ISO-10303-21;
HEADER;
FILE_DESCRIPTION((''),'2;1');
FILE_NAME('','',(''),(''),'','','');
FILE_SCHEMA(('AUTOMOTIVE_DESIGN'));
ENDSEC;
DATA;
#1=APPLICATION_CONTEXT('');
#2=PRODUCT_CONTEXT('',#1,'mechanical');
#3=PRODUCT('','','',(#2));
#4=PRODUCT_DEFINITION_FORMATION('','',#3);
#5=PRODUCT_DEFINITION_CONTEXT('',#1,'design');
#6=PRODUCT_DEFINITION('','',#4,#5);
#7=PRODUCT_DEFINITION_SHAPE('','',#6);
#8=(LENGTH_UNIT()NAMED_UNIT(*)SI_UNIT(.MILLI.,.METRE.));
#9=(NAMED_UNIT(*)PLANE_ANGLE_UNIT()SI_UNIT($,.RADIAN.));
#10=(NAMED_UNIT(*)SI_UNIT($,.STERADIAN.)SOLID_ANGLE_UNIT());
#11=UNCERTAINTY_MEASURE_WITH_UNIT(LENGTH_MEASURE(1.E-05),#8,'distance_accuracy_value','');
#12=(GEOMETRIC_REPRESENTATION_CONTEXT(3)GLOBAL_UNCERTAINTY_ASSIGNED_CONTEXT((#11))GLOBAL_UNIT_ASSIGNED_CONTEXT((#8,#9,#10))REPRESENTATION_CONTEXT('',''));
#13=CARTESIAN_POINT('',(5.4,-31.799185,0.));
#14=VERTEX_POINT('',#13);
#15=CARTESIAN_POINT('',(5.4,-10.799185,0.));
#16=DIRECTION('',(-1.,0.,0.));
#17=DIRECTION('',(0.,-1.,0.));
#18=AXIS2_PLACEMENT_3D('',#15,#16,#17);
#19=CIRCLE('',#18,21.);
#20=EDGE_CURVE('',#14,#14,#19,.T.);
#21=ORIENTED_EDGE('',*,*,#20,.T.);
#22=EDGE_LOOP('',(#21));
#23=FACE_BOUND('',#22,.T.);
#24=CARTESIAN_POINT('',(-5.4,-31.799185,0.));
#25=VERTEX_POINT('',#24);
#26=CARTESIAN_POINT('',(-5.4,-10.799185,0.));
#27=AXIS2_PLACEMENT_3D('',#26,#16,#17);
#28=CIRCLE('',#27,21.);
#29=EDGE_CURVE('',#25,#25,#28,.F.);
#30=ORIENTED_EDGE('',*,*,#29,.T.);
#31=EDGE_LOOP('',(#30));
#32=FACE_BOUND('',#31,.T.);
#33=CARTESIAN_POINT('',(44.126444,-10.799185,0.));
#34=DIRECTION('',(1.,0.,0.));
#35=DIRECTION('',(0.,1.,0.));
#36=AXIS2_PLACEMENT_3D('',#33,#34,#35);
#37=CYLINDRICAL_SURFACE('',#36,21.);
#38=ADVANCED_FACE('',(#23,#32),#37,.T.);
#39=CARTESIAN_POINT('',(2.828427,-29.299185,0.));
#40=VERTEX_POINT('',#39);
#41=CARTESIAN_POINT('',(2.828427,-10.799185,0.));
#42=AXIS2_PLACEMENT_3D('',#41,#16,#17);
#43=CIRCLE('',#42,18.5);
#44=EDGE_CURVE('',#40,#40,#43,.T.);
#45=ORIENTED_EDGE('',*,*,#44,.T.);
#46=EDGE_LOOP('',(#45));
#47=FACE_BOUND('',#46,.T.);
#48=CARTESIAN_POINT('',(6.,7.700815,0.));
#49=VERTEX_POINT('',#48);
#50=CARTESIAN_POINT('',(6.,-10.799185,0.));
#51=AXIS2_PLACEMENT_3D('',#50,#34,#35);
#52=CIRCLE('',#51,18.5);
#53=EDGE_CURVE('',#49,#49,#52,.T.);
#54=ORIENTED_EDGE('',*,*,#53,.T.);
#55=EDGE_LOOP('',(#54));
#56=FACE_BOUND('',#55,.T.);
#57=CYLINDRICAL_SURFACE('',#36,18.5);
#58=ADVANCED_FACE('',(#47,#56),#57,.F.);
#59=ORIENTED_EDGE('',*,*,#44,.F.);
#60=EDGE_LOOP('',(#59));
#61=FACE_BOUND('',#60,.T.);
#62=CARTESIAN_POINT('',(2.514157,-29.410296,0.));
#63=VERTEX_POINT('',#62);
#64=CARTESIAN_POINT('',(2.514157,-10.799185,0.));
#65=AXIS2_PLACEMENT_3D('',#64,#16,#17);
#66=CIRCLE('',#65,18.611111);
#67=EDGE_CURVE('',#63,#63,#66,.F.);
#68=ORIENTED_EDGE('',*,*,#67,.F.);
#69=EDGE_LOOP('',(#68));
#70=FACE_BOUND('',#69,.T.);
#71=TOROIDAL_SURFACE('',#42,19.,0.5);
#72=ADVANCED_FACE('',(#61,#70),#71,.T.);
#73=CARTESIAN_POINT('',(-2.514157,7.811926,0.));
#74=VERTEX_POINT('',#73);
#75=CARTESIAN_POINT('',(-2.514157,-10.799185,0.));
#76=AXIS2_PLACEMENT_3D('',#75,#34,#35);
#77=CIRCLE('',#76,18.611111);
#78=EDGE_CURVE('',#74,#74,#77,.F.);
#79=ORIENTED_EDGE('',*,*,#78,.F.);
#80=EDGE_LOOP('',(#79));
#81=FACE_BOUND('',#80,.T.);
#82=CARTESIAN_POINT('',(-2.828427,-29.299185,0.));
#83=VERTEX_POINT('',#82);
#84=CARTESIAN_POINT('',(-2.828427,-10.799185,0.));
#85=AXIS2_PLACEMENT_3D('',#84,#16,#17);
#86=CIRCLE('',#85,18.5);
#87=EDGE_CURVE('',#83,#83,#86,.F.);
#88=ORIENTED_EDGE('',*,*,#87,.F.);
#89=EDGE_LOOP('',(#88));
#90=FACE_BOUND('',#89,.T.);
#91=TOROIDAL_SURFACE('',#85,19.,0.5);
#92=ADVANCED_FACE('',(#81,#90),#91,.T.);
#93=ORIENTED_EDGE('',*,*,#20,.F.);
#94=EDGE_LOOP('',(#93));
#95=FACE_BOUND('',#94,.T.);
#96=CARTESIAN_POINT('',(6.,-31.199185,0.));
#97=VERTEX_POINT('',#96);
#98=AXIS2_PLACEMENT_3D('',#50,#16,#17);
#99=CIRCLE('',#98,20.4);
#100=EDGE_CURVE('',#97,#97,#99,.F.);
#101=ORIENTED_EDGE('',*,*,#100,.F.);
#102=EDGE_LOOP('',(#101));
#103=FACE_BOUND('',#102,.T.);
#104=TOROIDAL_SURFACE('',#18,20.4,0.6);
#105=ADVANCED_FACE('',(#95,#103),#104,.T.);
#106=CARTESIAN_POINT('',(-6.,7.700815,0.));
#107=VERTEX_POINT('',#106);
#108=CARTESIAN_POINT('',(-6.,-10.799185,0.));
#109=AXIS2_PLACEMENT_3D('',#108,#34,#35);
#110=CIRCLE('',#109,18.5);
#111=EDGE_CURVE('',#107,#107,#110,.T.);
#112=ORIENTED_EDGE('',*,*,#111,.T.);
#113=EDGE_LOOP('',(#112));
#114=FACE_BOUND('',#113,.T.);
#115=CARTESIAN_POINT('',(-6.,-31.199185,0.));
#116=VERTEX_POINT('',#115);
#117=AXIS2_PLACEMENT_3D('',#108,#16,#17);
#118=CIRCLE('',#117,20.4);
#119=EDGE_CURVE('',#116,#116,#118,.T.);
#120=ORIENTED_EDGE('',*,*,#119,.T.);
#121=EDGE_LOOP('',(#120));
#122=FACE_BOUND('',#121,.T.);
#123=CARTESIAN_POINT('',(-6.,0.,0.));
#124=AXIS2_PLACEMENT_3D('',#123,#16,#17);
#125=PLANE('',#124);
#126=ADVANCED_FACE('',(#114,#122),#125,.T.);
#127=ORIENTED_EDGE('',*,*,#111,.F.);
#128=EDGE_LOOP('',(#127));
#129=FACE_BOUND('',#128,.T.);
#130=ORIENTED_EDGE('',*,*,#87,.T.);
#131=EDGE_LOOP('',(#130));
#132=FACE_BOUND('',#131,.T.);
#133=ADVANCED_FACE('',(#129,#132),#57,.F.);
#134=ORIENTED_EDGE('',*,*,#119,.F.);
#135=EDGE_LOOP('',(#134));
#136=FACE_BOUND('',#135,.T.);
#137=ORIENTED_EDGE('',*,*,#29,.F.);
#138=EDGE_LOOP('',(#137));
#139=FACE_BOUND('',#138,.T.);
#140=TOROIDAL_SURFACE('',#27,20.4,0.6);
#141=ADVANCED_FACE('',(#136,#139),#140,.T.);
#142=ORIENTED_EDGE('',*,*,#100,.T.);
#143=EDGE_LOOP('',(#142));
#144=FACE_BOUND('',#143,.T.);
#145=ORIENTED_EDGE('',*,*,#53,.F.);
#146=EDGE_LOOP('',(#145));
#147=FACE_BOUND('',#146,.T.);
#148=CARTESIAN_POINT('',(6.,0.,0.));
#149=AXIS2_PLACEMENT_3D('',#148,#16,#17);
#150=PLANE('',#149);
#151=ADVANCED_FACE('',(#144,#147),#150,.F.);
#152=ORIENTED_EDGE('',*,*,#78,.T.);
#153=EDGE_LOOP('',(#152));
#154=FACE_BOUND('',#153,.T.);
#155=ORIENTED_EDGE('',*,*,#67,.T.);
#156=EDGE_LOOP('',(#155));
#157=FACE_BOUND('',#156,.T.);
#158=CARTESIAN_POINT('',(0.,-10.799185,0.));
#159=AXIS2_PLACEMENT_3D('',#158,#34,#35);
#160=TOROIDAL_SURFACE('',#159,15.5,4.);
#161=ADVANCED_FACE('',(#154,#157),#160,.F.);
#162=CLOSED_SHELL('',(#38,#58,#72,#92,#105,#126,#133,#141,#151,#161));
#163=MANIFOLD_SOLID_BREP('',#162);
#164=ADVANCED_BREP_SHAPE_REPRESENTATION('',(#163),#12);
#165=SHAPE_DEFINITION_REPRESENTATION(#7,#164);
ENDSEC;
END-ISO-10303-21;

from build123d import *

# Parameters (mm, degrees)
FILLET2_R = 0.6
FILLET3_R = 0.5


with BuildPart() as part:
    # Sketch1 → Revolve1 (revolve)
    with BuildSketch(Plane.XY):
        with BuildLine():
            Line((6, 10.200814883), (-6, 10.200814883))
            Line((-6, 10.200814883), (-6, 7.700814883))
            Line((-6, 7.700814883), (-2.645751311, 7.700814883))
            ThreePointArc((-2.645751311, 7.700814883), (0, 8.700814883), (2.645751311, 7.700814883))
            Line((2.645751311, 7.700814883), (6, 7.700814883))
            Line((6, 7.700814883), (6, 10.200814883))
        make_face()
    revolve(axis=Axis((44.126443973, -10.799185117, 0), (-1, 0, 0)))

    # Fillet2
    fillet2_edges = [part.edges().sort_by_distance(p)[0] for p in [
        (-6, -31.799185117, 0),
        (6, -31.799185117, 0),
    ]]
    fillet(fillet2_edges, radius=FILLET2_R)

    # Fillet3
    fillet3_edges = [part.edges().sort_by_distance(p)[0] for p in [
        (-2.645751311, -29.299185117, 0),
        (2.645751311, -29.299185117, 0),
    ]]
    fillet(fillet3_edges, radius=FILLET3_R)


solid = part.part
